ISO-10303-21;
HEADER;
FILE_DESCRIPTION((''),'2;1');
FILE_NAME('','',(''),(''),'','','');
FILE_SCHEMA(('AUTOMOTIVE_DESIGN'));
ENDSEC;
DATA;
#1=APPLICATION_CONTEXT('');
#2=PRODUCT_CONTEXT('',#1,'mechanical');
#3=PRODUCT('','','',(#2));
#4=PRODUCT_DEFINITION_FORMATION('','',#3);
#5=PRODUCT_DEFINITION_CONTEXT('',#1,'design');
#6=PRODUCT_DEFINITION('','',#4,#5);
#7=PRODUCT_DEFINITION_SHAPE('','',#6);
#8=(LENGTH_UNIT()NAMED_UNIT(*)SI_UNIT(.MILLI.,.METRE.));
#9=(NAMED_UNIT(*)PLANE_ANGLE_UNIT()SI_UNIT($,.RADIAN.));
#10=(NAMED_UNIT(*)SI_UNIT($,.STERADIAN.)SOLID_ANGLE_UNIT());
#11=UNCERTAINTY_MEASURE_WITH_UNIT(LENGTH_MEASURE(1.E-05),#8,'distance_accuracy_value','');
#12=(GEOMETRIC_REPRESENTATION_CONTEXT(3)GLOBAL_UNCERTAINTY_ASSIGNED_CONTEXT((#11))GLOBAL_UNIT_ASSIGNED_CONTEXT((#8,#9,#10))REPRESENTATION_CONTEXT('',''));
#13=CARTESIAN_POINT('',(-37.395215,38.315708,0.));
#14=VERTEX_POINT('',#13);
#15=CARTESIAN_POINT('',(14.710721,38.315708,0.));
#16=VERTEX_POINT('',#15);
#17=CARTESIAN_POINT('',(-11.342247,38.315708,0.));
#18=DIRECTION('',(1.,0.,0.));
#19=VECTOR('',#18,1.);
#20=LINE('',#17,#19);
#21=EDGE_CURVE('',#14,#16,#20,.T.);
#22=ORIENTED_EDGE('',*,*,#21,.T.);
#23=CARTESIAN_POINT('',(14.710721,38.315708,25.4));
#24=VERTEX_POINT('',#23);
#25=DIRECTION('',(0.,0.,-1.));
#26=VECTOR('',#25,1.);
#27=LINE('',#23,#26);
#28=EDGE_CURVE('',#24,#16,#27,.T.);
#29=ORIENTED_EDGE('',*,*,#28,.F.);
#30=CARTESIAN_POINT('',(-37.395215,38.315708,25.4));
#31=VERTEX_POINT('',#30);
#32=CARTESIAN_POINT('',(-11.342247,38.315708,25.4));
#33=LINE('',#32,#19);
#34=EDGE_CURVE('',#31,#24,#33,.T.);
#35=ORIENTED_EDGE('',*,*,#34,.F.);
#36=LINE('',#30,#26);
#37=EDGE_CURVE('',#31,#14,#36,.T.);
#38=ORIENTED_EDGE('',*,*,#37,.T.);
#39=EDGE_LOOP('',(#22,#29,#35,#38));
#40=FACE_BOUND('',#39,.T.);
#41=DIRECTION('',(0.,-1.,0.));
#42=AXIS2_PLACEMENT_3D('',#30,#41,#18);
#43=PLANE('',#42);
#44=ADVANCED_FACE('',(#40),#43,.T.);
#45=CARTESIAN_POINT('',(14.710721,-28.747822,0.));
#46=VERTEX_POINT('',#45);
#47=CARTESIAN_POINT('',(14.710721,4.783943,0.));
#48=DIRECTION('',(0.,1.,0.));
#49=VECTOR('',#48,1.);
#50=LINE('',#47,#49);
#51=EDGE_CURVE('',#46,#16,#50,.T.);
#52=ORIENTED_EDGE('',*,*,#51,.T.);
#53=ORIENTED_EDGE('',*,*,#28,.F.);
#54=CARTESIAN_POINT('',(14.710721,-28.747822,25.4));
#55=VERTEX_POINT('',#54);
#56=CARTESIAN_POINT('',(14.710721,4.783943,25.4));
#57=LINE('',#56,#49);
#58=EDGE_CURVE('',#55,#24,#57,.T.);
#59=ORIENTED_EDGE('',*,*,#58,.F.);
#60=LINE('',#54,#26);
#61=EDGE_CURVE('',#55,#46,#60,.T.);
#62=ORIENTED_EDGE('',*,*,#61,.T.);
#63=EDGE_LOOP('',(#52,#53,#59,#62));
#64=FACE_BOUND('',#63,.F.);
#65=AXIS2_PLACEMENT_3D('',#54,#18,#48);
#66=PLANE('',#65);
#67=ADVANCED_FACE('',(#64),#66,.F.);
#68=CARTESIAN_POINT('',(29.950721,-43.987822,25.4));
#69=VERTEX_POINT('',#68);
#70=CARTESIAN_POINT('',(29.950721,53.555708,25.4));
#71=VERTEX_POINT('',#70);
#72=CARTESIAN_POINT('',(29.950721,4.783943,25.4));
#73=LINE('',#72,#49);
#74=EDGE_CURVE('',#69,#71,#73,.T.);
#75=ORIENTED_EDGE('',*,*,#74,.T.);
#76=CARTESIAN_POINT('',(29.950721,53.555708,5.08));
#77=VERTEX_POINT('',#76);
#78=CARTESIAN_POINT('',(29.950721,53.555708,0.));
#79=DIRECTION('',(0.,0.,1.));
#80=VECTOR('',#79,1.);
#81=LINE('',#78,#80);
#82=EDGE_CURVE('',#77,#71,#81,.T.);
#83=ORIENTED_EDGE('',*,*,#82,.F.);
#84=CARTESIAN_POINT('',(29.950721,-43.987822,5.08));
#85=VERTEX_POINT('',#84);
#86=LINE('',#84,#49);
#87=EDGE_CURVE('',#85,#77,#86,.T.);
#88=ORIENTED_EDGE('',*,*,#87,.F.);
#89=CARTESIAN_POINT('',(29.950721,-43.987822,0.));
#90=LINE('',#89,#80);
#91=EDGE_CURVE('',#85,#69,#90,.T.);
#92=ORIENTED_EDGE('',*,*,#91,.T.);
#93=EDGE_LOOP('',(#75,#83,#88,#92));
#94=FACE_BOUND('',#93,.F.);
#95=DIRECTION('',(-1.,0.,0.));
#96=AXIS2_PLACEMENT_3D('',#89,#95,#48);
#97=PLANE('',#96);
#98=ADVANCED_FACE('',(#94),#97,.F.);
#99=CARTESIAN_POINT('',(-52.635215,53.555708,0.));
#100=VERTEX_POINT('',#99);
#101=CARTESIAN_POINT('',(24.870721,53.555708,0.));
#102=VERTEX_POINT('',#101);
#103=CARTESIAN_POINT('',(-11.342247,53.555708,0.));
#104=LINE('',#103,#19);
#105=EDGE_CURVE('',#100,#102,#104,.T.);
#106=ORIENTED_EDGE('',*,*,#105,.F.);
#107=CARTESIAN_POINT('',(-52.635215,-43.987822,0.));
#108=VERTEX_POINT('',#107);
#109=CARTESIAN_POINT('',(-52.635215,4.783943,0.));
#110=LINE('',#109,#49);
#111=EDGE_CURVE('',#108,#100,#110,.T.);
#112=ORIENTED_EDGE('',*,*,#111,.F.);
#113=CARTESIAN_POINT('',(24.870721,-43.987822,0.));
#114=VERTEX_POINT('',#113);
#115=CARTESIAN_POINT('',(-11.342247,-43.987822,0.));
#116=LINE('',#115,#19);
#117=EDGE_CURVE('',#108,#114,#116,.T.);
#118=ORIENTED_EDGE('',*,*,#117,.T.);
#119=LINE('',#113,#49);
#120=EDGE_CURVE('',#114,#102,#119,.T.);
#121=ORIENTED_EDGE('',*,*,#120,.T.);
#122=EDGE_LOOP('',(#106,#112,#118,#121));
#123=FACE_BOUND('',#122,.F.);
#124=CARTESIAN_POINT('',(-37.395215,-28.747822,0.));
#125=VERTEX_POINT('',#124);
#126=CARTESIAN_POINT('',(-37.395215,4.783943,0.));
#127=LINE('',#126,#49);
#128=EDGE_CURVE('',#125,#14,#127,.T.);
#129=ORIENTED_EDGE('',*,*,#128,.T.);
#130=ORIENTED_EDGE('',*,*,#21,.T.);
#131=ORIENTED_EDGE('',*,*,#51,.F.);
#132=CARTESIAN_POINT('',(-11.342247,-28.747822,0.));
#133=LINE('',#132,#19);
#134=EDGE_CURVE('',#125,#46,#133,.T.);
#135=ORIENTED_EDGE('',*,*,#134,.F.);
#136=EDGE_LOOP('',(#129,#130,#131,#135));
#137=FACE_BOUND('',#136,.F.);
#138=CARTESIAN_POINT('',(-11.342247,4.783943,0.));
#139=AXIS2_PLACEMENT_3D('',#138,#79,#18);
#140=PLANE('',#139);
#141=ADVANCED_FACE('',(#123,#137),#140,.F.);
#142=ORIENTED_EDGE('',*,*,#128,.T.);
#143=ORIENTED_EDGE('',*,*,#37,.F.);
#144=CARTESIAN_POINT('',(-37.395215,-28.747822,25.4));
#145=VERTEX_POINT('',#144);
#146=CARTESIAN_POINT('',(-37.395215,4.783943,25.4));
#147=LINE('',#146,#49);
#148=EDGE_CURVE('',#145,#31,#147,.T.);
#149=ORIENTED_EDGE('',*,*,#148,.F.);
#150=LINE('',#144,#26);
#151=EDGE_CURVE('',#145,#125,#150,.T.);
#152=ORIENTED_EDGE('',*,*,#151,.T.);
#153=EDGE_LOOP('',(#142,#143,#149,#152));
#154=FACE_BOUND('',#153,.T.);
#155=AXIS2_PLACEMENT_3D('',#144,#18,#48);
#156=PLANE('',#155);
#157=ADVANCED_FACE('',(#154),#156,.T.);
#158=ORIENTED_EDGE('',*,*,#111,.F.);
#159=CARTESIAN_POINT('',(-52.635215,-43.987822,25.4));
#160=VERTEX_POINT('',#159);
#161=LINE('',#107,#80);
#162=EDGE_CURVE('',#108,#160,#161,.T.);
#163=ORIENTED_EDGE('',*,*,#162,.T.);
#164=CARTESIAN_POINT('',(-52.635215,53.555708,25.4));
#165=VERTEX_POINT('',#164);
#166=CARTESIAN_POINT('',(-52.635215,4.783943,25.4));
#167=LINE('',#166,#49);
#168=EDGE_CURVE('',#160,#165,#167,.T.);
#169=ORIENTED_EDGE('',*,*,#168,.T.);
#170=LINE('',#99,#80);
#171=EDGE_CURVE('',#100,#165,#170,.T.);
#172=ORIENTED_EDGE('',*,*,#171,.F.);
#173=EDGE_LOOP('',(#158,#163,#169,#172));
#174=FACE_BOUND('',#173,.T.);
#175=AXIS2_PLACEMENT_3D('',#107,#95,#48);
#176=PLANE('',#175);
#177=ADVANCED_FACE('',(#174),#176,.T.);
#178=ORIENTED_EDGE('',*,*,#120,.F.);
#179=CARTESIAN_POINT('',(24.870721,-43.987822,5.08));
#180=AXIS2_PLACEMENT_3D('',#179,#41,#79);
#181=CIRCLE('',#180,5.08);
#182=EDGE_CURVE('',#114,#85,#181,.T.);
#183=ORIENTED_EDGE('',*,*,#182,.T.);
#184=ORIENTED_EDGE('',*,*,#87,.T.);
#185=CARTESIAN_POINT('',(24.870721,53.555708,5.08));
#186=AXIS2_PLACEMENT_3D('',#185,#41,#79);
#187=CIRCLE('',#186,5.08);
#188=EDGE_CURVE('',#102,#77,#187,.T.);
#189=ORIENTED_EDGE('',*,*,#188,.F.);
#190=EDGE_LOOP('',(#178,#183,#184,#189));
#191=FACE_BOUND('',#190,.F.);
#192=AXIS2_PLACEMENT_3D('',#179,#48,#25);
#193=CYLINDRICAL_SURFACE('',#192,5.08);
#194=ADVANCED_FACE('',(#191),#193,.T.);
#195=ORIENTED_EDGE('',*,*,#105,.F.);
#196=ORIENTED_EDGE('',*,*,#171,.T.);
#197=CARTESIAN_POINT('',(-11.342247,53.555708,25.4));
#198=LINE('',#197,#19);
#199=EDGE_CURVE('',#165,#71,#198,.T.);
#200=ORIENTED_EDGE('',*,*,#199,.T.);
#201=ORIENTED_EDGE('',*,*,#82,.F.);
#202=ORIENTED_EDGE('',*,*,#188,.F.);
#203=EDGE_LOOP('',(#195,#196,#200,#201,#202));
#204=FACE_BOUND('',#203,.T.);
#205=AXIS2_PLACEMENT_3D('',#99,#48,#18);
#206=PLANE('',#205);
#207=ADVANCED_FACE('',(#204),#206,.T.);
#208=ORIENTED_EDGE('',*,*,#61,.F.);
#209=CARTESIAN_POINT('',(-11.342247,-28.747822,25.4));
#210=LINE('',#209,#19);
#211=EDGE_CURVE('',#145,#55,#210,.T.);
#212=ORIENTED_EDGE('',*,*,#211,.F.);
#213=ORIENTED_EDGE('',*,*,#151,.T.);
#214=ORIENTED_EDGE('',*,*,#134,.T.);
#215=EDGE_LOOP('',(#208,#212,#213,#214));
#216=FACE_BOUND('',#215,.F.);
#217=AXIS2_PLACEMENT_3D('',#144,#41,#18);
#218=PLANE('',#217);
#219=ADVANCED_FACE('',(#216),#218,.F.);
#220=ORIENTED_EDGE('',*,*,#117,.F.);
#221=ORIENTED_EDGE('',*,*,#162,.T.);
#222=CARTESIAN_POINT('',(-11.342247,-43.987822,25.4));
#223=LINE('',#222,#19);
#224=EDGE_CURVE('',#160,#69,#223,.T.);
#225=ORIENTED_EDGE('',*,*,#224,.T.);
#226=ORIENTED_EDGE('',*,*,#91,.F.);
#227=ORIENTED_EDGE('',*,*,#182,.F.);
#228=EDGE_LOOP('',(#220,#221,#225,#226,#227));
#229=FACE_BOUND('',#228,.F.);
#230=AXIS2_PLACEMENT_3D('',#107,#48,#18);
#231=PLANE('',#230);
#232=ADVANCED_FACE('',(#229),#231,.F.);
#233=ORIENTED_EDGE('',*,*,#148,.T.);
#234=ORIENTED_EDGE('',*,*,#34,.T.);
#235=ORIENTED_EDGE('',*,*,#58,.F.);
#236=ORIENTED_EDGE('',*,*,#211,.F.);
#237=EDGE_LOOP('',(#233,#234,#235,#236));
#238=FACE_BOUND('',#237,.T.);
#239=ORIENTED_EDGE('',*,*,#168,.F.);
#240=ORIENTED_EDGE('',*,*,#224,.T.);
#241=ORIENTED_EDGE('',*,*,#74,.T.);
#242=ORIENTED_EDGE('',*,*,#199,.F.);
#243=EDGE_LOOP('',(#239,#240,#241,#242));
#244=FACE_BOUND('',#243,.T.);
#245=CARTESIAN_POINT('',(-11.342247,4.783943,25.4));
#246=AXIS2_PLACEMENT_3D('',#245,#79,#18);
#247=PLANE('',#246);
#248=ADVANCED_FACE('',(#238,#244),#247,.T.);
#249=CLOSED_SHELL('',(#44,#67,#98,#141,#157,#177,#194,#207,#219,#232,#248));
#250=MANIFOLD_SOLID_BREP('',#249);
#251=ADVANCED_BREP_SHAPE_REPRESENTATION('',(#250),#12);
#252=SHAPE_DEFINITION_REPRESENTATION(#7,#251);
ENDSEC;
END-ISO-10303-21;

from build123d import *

# Parameters (mm, degrees)
F0_W     = 82.585936
F0_H     = 97.54353
F1_DEPTH = 25.4
F2_W     = 52.105936
F2_H     = 67.06353
F3_DEPTH = 25.4
F4_R     = 5.08


with BuildPart() as f1:
    # F0 (on Top) → F1 (new body)
    with BuildSketch(Plane.XY):
        with Locations((-11.342247, 4.783943)):
            Rectangle(F0_W, F0_H)
    extrude(amount=F1_DEPTH)

    # F2 (on face) → F3 (cut)
    with BuildSketch(Plane.XY.offset(25.4)):
        with Locations((-11.342247, 4.783943)):
            Rectangle(F2_W, F2_H)
    extrude(amount=-F3_DEPTH, mode=Mode.SUBTRACT)

    # F4
    f4_edges = [f1.edges().sort_by_distance(p)[0] for p in [
        (29.950721, 4.783943, 0),
    ]]
    fillet(f4_edges, radius=F4_R)


solid = f1.part
